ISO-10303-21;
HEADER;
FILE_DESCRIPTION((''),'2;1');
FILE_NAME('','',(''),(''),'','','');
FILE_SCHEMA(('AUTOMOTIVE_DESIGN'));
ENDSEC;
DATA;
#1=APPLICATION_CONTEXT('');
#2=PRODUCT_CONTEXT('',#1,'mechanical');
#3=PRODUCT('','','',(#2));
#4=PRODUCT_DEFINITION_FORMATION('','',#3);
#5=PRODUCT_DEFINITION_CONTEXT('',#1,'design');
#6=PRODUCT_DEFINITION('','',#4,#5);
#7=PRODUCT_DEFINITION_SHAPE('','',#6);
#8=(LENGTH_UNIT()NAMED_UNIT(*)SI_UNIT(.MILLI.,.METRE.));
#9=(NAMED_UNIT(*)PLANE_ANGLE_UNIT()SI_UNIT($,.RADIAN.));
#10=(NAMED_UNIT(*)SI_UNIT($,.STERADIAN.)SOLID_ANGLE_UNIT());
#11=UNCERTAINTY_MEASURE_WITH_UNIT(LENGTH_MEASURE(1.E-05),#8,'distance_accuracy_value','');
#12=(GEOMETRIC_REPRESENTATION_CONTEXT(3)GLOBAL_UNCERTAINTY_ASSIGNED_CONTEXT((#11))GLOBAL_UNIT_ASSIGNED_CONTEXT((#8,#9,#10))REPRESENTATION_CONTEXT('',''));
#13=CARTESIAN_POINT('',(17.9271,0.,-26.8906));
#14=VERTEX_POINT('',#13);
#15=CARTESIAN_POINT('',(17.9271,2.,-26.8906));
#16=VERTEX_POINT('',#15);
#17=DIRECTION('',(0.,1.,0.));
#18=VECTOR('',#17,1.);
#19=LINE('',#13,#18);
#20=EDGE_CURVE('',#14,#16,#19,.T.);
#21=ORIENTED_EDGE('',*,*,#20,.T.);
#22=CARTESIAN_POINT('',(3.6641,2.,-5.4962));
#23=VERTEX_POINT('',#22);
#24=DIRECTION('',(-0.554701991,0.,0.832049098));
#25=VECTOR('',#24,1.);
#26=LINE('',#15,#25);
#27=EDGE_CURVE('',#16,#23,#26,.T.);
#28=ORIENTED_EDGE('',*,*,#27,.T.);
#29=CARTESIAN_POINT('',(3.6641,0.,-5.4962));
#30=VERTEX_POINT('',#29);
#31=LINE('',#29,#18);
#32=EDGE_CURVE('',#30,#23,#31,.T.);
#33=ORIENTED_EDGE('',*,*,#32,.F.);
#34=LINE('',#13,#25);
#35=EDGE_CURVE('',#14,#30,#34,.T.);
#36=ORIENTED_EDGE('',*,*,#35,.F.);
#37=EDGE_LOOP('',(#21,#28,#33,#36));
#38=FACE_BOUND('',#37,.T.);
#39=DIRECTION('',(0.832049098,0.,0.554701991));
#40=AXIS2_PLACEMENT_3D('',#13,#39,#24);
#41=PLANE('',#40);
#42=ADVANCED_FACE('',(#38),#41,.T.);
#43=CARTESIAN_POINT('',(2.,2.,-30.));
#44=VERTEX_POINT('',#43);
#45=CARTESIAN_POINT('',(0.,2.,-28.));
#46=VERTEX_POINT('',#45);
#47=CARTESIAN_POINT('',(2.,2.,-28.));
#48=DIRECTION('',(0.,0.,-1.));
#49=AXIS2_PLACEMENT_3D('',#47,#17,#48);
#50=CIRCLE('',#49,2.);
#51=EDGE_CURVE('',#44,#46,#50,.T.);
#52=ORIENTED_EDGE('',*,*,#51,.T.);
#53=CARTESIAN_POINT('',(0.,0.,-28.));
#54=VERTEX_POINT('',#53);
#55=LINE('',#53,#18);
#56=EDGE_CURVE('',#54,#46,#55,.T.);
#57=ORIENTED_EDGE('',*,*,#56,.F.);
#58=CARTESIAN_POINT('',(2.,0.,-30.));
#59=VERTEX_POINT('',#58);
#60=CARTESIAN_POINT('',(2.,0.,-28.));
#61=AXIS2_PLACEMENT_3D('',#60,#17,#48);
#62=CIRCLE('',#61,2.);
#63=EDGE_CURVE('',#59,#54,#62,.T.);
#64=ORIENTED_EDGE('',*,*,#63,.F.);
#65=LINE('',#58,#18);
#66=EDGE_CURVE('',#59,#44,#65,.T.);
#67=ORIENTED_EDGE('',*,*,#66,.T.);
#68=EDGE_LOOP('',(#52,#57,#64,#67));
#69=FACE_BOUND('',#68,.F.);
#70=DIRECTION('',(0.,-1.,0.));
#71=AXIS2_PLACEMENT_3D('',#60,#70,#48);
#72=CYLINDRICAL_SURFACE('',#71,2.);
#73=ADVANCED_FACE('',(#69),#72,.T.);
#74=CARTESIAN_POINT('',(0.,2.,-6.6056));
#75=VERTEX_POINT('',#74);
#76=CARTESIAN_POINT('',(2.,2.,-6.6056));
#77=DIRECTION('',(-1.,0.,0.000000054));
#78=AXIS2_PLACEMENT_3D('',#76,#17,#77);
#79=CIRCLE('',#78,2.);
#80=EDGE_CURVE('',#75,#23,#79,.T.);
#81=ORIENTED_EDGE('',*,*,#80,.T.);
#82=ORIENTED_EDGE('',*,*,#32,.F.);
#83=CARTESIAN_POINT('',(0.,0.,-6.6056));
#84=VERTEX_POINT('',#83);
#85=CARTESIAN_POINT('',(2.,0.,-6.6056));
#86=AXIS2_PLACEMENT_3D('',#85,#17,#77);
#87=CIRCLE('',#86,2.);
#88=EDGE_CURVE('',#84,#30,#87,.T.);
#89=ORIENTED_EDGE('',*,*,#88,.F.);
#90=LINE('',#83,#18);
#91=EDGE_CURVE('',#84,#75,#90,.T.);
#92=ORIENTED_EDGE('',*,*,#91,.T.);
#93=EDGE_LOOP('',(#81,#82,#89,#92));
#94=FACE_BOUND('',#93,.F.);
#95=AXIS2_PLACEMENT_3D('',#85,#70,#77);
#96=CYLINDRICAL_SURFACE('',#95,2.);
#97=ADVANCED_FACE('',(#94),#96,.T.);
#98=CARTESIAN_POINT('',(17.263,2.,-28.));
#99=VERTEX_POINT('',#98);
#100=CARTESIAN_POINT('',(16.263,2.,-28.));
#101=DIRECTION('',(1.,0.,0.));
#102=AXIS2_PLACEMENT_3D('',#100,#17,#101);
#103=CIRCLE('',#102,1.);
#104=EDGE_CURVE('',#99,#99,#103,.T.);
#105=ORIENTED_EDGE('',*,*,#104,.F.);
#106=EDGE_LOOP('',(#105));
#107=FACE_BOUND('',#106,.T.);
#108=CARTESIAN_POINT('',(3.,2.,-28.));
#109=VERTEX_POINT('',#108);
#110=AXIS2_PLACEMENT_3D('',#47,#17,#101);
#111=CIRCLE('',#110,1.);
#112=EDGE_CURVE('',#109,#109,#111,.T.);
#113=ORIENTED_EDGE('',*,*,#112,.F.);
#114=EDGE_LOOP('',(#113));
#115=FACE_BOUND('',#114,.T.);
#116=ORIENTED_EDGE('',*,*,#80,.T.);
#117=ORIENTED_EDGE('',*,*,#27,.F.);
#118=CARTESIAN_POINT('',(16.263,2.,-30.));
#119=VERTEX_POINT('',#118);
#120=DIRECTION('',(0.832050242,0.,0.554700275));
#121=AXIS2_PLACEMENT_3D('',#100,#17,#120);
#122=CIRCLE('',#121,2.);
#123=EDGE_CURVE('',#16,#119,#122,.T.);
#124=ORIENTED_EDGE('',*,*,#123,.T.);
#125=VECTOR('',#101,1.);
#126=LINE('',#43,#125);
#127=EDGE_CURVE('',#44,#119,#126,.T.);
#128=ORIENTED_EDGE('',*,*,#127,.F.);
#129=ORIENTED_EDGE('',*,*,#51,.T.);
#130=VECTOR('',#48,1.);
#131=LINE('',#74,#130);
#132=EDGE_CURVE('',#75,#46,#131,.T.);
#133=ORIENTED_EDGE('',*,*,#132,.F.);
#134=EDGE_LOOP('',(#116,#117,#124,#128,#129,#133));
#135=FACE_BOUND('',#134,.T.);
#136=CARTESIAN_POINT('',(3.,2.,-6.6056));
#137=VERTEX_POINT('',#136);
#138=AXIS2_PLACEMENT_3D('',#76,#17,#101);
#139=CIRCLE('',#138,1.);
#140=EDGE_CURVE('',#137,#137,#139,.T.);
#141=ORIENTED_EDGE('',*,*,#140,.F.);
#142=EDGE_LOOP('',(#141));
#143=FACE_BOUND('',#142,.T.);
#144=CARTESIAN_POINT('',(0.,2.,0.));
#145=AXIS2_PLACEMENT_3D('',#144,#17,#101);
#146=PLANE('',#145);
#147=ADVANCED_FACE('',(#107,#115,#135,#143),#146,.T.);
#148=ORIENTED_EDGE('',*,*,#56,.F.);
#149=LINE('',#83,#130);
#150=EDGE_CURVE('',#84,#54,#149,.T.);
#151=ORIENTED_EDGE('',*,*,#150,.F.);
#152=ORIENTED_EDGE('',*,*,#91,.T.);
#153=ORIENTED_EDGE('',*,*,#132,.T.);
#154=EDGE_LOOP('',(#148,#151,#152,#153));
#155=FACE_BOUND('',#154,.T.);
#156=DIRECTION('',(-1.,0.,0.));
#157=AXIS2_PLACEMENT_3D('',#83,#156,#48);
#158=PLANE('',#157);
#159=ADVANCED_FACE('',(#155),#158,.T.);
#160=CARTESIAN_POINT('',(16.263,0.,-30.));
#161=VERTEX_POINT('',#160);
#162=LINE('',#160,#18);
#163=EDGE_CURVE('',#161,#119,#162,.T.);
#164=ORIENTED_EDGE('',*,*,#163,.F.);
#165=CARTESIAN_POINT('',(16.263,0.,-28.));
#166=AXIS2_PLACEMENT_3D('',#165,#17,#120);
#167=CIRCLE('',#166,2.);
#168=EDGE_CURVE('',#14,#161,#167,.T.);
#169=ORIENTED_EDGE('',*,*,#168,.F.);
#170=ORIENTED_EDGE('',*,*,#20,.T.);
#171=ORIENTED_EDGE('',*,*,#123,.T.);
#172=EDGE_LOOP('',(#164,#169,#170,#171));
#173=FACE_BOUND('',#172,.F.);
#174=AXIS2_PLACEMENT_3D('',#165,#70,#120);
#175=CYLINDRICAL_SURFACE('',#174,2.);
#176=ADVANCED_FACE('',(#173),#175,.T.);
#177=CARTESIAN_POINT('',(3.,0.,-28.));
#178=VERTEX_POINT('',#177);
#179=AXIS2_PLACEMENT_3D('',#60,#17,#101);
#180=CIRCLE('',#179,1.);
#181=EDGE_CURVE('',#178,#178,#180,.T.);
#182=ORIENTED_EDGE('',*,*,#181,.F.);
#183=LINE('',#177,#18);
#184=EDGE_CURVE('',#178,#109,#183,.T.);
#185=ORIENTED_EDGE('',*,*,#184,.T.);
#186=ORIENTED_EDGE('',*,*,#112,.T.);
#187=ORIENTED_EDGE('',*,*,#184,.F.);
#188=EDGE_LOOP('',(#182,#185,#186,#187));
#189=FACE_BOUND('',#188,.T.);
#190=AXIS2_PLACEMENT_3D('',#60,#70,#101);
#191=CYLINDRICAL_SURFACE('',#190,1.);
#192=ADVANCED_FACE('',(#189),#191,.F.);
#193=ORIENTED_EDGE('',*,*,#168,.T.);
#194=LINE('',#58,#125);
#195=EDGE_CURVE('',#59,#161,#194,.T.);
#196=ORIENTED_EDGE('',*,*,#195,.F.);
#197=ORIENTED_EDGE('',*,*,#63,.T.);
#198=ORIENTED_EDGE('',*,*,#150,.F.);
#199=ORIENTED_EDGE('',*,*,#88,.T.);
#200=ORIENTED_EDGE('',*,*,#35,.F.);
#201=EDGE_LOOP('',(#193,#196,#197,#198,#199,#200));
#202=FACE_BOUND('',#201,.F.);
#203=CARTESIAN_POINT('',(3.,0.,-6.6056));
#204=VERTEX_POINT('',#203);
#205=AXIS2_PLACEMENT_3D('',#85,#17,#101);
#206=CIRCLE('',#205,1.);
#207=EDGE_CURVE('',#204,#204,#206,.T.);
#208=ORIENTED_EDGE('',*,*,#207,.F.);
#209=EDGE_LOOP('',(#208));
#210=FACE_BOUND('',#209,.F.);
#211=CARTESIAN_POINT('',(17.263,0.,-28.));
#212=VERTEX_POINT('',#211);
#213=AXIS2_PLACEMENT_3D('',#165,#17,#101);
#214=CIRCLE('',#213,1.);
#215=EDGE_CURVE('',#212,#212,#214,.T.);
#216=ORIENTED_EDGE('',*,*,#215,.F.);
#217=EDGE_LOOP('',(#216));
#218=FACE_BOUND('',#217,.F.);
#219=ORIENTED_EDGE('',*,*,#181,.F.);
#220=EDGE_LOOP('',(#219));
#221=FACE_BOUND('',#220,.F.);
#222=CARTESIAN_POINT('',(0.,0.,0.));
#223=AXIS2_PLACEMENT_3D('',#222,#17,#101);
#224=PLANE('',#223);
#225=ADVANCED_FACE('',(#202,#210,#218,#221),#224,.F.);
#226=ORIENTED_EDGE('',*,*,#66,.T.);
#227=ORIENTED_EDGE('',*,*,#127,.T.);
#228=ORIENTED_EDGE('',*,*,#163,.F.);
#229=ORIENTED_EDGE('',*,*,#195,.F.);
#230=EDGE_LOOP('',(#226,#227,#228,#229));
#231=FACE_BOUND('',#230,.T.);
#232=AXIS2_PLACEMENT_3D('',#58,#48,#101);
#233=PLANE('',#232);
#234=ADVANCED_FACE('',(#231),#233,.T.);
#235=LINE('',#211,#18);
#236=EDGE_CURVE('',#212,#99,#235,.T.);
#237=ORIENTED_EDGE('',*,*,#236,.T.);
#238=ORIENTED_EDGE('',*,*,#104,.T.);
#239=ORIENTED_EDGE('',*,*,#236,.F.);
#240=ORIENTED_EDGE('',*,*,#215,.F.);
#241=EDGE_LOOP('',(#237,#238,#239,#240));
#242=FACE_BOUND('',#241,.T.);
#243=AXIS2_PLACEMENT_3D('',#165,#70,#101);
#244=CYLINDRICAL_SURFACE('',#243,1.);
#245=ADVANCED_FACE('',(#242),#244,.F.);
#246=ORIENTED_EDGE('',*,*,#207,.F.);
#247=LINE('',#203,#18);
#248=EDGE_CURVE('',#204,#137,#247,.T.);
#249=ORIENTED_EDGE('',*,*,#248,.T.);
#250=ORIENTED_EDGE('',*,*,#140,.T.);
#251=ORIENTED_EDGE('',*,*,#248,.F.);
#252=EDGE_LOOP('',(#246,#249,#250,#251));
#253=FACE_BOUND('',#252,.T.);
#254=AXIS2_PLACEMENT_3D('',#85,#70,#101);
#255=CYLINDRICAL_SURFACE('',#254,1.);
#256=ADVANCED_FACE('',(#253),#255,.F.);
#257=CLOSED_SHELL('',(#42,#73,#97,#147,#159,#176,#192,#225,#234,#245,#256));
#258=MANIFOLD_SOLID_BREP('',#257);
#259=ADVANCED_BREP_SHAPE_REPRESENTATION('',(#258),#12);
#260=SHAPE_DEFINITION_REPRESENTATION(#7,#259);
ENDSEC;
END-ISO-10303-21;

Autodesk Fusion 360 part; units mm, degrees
sketch "Sketch1" plane through (0, 0, 0) normal (0, 1, 0) x (1, 0, 0)
  line L0 (0, 6.6056) -> (0, 28)
  line L1 (2, 30) -> (16.263, 30)
  line L2 (17.9271, 26.8906) -> (3.6641, 5.4962)
  arc A0 (2, 30) -> (0, 28) centre (2, 28) ccw
  arc A1 (0, 6.6056) -> (3.6641, 5.4962) centre (2, 6.6056) ccw
  arc A2 (17.9271, 26.8906) -> (16.263, 30) centre (16.263, 28) ccw
  circle A3 centre (2, 28) radius 1
  circle A4 centre (16.263, 28) radius 1
  circle A5 centre (2, 6.6056) radius 1
  point P0 (0, 30)
  point P1 (20, 30)
  dimension "d1" = 20
  dimension "d2" = 30
  dimension "d3" = 2
  dimension "d4" = 2
  dimension "d5" = 2
  dimension "d6" = 2
  dimension "d7" = 2
  dimension "d8" = 2
extrude "Extrude1" add sketch "Sketch1" along normal blind 2
